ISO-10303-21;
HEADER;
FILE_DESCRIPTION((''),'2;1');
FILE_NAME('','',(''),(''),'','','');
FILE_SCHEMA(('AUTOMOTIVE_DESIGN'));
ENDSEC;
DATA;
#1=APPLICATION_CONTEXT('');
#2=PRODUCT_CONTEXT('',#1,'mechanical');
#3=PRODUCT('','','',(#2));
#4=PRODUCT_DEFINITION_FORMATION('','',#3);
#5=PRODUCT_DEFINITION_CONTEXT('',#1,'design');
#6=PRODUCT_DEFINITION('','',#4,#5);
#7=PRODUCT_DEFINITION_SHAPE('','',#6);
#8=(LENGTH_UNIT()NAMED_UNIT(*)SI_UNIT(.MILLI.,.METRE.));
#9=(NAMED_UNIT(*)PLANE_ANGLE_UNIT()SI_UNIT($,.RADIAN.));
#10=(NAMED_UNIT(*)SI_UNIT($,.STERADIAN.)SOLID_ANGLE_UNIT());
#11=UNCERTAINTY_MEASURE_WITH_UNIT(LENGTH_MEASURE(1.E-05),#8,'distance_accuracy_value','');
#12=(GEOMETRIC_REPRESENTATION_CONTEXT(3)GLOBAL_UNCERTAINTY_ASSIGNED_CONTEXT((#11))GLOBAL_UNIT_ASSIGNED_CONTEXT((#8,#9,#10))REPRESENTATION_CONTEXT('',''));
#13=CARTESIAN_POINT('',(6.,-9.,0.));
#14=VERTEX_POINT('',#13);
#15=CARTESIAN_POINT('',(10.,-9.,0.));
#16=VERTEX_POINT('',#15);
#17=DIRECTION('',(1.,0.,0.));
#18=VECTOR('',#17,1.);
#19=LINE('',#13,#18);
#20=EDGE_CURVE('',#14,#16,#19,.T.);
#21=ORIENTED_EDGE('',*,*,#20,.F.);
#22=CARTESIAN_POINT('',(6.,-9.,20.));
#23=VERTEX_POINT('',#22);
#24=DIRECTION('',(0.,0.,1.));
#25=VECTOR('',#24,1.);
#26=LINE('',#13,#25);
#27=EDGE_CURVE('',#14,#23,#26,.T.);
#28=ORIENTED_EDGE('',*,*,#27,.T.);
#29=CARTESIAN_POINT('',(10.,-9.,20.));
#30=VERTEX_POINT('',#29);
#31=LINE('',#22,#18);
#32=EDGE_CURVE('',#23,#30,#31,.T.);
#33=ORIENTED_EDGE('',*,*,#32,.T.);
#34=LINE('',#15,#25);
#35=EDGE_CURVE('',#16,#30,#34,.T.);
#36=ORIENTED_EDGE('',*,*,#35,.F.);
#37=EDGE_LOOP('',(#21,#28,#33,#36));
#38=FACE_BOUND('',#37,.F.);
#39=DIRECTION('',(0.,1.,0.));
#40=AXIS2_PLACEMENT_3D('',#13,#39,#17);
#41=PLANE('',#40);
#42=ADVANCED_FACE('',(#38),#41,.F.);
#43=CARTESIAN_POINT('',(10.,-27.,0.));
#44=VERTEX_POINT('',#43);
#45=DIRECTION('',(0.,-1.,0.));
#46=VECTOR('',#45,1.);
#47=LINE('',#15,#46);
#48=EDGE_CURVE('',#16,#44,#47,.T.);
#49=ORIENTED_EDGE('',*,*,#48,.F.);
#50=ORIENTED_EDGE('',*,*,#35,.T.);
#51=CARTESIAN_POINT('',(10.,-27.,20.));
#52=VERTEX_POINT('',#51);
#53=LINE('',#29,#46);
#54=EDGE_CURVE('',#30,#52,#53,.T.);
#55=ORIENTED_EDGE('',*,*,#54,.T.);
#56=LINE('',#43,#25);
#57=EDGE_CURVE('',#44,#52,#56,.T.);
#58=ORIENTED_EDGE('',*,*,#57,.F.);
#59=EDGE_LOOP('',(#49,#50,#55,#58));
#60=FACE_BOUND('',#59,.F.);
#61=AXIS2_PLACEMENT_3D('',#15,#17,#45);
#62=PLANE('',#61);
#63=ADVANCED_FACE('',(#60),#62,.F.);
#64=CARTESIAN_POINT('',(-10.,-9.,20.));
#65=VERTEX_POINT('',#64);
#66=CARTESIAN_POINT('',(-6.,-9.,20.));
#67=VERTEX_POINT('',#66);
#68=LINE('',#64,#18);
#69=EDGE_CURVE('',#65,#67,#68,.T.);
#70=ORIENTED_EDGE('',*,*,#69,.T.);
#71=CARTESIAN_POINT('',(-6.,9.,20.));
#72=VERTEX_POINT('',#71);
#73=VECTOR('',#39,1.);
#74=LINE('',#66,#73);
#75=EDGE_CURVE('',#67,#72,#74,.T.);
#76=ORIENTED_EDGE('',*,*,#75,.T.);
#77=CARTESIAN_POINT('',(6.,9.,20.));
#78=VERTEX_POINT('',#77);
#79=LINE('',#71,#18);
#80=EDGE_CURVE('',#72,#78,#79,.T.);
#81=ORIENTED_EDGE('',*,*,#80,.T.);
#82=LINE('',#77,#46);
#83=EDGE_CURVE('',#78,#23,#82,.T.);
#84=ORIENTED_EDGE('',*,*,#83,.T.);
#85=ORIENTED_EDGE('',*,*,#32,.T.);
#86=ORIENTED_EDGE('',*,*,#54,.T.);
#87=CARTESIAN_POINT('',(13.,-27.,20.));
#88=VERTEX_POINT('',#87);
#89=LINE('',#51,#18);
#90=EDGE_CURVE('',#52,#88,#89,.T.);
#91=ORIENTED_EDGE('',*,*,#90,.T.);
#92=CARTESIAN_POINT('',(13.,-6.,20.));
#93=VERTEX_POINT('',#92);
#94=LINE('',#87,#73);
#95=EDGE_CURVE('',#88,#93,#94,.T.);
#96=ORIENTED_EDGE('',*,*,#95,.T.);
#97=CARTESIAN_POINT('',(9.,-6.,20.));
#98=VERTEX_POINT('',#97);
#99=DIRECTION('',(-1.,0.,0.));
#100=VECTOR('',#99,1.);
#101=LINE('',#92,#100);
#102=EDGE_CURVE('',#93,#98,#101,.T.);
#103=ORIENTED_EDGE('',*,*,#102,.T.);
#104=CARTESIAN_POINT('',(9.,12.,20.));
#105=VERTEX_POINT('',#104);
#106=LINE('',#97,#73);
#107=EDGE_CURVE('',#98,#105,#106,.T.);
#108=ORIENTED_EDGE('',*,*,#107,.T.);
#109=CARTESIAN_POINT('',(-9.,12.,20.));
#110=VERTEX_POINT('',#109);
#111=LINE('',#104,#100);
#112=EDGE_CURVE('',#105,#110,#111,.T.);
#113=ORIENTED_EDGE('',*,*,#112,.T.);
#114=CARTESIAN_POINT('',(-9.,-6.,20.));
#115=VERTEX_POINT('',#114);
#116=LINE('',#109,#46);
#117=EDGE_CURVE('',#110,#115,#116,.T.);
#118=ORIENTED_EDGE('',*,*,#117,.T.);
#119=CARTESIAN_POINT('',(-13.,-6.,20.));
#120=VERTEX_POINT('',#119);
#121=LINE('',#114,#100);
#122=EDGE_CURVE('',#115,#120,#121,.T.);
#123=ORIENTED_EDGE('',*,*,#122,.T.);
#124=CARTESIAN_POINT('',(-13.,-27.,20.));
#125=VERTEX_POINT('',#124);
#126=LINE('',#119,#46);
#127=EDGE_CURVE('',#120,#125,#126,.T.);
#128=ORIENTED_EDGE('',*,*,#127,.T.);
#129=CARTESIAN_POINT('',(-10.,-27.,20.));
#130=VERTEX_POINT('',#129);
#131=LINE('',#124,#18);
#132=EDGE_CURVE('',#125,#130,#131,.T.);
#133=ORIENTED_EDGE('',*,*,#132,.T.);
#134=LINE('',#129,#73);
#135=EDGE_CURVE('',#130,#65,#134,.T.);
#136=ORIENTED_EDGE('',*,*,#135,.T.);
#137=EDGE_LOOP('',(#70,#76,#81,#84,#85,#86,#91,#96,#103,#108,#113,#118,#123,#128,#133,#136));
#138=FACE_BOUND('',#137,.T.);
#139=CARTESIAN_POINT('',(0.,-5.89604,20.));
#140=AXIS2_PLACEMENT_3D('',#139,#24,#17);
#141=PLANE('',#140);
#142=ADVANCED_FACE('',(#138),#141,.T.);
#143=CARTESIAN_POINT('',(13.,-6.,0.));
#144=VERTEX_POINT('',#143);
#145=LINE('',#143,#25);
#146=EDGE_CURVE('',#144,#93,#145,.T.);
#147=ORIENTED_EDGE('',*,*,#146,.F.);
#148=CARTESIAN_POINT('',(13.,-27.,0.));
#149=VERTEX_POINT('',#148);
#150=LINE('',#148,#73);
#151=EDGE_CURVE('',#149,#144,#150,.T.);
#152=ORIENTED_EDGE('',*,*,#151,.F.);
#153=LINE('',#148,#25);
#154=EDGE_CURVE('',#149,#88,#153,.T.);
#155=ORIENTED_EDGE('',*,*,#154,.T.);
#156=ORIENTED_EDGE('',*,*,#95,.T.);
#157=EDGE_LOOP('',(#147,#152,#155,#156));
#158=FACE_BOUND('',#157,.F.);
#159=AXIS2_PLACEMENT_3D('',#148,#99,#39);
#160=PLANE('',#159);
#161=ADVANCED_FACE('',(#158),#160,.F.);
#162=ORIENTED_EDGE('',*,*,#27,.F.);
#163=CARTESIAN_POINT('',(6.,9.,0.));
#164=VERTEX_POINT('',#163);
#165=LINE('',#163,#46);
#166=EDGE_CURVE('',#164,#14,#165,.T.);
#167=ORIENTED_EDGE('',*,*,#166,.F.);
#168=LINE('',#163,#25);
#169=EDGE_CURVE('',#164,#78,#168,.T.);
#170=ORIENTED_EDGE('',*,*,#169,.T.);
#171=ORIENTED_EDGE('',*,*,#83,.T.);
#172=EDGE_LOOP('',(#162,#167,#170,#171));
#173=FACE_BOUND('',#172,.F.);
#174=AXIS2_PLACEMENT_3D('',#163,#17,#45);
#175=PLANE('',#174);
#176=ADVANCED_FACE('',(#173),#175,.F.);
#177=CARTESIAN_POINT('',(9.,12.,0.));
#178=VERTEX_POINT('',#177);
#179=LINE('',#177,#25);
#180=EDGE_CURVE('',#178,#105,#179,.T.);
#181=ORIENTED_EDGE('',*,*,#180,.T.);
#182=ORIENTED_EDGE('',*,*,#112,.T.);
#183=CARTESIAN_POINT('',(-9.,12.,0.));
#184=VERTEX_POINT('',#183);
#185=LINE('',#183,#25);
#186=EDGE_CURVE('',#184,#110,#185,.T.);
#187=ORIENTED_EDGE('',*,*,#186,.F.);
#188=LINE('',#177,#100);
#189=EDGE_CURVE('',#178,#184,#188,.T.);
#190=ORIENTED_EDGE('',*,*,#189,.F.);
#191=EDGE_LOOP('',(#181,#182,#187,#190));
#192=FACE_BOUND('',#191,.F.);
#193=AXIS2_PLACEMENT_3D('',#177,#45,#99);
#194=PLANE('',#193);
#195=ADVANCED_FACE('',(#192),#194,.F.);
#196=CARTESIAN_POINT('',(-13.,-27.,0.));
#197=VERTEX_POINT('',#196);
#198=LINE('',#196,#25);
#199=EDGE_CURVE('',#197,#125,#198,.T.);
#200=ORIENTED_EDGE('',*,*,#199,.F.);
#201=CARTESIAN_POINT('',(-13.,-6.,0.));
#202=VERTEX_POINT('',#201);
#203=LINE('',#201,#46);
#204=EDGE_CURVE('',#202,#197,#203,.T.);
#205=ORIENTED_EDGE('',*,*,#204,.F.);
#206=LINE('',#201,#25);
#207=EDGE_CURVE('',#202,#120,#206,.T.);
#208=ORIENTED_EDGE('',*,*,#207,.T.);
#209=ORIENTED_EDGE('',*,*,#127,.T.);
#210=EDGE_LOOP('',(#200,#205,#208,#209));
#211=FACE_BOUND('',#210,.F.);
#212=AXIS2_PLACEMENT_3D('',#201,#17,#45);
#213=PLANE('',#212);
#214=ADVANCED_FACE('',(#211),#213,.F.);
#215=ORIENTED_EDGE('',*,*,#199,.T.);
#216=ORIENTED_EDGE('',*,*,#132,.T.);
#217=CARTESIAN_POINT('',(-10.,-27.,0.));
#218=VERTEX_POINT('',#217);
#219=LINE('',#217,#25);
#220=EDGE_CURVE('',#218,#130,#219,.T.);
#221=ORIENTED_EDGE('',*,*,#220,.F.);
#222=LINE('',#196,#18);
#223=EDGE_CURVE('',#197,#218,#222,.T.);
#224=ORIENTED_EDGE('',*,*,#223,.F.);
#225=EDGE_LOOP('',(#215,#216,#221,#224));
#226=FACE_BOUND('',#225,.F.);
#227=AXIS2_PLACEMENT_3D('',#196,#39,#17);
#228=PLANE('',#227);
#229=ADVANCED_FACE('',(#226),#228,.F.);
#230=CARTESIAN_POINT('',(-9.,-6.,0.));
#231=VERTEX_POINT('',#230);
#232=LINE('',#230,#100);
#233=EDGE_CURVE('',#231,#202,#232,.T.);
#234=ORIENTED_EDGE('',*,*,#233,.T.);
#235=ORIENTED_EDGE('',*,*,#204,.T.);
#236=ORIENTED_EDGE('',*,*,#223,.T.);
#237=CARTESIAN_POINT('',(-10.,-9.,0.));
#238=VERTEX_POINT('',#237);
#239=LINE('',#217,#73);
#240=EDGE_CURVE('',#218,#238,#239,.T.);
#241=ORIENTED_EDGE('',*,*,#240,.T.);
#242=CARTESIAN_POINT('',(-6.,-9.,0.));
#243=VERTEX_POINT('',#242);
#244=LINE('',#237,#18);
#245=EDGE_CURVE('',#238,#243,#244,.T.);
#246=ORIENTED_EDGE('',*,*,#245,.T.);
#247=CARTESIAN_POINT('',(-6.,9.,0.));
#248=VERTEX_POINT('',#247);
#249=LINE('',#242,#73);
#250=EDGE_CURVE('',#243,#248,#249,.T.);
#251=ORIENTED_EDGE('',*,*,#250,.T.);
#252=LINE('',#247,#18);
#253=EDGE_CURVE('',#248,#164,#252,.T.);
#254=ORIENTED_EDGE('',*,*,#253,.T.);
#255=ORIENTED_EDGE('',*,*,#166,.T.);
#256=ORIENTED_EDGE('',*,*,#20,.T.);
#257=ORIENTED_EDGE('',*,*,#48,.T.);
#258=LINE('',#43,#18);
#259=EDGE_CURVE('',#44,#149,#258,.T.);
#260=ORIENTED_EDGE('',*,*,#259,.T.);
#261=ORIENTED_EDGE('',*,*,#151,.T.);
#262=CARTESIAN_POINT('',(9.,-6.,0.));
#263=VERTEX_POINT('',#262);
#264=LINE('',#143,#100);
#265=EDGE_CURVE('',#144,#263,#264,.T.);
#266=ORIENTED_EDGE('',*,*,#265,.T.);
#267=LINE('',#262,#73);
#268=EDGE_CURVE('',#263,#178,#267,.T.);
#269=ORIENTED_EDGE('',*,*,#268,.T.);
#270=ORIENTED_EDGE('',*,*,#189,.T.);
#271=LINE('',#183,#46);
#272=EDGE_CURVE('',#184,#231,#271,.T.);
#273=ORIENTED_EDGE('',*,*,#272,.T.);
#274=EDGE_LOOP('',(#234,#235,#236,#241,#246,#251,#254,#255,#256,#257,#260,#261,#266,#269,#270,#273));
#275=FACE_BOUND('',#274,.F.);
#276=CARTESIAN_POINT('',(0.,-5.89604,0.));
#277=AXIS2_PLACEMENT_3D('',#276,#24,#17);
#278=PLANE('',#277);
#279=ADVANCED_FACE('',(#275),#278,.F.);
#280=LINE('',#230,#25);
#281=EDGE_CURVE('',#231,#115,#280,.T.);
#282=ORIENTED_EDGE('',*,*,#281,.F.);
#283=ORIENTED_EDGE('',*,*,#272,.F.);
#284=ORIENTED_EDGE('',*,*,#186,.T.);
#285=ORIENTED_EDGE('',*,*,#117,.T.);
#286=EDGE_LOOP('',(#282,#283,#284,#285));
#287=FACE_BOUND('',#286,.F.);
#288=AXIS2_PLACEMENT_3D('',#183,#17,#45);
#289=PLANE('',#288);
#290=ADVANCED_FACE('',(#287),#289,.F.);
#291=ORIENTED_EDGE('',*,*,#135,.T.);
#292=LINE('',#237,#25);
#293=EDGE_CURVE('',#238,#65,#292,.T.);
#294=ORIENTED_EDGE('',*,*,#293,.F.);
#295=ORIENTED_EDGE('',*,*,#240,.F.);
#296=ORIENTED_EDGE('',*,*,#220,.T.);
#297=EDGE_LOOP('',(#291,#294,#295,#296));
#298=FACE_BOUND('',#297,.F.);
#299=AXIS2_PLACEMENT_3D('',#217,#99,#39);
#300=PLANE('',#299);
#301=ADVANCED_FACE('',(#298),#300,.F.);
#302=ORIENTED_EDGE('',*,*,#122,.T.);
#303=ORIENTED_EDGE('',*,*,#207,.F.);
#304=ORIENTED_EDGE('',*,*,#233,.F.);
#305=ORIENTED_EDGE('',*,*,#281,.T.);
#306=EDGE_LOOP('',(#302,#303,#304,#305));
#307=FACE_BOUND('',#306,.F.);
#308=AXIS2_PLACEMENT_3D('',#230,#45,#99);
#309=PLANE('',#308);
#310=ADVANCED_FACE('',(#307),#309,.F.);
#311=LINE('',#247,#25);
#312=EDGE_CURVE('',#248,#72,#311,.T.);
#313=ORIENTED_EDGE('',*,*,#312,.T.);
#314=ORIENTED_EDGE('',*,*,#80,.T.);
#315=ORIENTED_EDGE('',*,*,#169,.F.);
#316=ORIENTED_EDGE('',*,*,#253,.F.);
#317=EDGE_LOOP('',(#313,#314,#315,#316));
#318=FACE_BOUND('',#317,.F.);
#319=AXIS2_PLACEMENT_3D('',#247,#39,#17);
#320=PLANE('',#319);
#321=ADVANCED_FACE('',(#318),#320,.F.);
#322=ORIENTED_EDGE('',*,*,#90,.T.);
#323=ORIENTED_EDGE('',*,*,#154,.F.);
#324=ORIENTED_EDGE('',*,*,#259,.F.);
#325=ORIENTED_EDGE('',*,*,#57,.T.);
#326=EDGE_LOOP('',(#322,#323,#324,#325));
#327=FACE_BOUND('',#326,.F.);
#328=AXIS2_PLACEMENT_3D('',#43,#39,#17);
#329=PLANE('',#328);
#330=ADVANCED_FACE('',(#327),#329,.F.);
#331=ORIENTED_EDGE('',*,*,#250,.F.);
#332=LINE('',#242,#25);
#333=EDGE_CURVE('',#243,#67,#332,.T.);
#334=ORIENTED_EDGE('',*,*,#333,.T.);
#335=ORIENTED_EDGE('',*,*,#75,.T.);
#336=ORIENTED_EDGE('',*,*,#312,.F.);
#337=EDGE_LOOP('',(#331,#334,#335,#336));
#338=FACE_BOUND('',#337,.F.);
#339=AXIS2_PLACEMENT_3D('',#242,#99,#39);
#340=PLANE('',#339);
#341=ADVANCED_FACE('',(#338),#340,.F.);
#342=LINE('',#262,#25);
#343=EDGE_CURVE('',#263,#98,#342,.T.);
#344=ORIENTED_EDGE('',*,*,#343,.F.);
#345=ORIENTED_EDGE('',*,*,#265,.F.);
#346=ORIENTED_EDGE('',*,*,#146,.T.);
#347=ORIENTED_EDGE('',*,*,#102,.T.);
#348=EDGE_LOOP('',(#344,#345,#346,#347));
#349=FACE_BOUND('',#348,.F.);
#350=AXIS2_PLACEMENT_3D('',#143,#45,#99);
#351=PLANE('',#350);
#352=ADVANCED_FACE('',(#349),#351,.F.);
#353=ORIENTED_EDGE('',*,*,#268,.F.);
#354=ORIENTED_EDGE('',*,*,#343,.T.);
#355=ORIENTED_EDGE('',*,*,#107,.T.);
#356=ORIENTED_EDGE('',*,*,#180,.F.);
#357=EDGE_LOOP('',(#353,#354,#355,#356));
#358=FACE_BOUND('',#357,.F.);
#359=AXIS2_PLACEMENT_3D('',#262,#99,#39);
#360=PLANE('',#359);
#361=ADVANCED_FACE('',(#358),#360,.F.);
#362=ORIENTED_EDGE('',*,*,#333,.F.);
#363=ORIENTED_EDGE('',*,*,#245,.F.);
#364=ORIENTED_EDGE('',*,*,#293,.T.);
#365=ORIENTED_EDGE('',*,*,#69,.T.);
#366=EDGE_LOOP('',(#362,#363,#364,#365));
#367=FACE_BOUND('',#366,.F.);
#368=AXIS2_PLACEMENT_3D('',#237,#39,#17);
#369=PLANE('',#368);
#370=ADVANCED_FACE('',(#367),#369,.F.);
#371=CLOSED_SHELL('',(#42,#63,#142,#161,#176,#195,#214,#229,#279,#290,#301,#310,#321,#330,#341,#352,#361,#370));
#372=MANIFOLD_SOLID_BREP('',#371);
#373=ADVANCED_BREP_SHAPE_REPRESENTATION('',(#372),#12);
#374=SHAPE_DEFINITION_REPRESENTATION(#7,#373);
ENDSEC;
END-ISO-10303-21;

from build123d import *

# Parameters (mm, degrees)
F1_DEPTH = 20


with BuildPart() as f1:
    # F0 (on Top) → F1 (new body)
    with BuildSketch(Plane.XY):
        Polygon((-6, -9), (-6, 9), (6, 9), (6, -9), (10, -9), (10, -27), (13, -27), (13, -6), (9, -6), (9, 12), (-9, 12), (-9, -6), (-13, -6), (-13, -27), (-10, -27), (-10, -9), align=None)
    extrude(amount=F1_DEPTH)


solid = f1.part
